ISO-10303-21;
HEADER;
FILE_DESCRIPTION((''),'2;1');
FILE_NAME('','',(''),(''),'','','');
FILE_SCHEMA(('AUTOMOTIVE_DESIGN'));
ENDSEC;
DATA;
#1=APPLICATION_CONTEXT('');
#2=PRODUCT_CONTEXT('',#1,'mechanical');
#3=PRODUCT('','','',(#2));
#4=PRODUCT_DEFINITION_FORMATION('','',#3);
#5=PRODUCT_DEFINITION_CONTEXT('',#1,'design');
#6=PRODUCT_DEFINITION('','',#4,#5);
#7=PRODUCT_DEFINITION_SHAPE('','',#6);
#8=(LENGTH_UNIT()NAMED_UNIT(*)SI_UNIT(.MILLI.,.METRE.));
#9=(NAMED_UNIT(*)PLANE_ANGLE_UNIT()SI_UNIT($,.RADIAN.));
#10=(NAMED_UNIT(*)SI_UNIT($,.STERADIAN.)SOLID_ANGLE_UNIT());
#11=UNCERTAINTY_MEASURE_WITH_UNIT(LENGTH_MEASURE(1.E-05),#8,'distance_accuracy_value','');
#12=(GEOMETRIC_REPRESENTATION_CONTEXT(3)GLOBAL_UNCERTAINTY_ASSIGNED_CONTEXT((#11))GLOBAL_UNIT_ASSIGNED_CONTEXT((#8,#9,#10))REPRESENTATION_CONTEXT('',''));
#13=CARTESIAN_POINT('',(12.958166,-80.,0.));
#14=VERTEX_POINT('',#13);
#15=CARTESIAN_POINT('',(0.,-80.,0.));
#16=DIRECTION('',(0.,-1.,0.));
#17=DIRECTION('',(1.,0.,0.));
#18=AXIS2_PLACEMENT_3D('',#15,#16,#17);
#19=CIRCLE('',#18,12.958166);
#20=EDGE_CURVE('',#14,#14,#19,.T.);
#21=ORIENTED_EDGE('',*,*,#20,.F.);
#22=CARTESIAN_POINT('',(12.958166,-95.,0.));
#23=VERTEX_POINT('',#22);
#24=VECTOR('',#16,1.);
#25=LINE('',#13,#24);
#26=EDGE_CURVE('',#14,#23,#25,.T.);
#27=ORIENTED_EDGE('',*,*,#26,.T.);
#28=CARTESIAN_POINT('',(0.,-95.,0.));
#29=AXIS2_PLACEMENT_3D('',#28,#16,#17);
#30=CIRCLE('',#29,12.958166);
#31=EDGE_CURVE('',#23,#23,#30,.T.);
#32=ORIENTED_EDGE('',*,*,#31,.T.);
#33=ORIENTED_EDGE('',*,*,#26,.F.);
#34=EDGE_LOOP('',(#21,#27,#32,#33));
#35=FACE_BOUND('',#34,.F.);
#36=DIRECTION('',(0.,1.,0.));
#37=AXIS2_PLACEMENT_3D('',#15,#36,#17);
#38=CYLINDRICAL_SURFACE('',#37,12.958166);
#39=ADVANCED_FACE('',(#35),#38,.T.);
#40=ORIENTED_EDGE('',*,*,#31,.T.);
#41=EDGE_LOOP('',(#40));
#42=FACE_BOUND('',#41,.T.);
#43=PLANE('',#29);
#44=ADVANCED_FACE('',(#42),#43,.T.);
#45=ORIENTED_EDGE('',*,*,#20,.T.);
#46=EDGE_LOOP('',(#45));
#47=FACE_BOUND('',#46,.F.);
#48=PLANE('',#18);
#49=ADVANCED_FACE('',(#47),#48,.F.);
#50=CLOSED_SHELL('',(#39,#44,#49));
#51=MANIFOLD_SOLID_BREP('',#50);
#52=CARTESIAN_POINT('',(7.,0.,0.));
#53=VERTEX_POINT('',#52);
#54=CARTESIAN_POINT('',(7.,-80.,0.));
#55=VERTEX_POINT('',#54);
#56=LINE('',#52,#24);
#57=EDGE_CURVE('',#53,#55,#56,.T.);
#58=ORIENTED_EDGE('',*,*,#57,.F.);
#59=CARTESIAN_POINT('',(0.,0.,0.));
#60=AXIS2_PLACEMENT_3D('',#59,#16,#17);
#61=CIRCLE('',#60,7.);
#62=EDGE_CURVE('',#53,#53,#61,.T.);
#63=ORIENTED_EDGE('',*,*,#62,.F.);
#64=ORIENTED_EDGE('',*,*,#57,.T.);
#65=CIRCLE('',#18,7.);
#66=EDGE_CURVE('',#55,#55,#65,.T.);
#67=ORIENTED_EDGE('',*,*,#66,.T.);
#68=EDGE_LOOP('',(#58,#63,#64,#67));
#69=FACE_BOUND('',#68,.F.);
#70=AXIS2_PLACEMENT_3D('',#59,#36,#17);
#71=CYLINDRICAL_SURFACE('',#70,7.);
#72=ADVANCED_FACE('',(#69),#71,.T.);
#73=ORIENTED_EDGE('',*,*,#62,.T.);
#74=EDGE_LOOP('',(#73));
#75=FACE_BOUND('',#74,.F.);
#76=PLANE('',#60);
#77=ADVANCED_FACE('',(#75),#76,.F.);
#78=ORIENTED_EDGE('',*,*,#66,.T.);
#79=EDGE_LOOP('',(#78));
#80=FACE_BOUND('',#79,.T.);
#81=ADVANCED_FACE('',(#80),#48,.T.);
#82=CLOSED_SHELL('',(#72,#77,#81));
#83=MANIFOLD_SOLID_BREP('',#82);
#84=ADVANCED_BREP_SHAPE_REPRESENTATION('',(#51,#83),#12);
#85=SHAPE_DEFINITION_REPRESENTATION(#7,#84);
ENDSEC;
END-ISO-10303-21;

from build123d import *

# Parameters (mm, degrees)
F0_R     = 7
F1_DEPTH = 80
F2_R     = 12.958166
F2_R_2   = 7
F3_DEPTH = 15


with BuildPart() as f1:
    # F0 (on Front) → F1 (new body)
    with BuildSketch(Plane.XZ):
        Circle(F0_R)
    extrude(amount=F1_DEPTH)


with BuildPart() as f3:
    # F2 (on face) → F3 (new body)
    with BuildSketch(Plane.XZ.offset(80)):
        Circle(F2_R)
        Circle(F2_R_2, mode=Mode.SUBTRACT)
        Circle(F2_R_2)
    extrude(amount=F3_DEPTH)


solid = Compound([f1.part, f3.part])
